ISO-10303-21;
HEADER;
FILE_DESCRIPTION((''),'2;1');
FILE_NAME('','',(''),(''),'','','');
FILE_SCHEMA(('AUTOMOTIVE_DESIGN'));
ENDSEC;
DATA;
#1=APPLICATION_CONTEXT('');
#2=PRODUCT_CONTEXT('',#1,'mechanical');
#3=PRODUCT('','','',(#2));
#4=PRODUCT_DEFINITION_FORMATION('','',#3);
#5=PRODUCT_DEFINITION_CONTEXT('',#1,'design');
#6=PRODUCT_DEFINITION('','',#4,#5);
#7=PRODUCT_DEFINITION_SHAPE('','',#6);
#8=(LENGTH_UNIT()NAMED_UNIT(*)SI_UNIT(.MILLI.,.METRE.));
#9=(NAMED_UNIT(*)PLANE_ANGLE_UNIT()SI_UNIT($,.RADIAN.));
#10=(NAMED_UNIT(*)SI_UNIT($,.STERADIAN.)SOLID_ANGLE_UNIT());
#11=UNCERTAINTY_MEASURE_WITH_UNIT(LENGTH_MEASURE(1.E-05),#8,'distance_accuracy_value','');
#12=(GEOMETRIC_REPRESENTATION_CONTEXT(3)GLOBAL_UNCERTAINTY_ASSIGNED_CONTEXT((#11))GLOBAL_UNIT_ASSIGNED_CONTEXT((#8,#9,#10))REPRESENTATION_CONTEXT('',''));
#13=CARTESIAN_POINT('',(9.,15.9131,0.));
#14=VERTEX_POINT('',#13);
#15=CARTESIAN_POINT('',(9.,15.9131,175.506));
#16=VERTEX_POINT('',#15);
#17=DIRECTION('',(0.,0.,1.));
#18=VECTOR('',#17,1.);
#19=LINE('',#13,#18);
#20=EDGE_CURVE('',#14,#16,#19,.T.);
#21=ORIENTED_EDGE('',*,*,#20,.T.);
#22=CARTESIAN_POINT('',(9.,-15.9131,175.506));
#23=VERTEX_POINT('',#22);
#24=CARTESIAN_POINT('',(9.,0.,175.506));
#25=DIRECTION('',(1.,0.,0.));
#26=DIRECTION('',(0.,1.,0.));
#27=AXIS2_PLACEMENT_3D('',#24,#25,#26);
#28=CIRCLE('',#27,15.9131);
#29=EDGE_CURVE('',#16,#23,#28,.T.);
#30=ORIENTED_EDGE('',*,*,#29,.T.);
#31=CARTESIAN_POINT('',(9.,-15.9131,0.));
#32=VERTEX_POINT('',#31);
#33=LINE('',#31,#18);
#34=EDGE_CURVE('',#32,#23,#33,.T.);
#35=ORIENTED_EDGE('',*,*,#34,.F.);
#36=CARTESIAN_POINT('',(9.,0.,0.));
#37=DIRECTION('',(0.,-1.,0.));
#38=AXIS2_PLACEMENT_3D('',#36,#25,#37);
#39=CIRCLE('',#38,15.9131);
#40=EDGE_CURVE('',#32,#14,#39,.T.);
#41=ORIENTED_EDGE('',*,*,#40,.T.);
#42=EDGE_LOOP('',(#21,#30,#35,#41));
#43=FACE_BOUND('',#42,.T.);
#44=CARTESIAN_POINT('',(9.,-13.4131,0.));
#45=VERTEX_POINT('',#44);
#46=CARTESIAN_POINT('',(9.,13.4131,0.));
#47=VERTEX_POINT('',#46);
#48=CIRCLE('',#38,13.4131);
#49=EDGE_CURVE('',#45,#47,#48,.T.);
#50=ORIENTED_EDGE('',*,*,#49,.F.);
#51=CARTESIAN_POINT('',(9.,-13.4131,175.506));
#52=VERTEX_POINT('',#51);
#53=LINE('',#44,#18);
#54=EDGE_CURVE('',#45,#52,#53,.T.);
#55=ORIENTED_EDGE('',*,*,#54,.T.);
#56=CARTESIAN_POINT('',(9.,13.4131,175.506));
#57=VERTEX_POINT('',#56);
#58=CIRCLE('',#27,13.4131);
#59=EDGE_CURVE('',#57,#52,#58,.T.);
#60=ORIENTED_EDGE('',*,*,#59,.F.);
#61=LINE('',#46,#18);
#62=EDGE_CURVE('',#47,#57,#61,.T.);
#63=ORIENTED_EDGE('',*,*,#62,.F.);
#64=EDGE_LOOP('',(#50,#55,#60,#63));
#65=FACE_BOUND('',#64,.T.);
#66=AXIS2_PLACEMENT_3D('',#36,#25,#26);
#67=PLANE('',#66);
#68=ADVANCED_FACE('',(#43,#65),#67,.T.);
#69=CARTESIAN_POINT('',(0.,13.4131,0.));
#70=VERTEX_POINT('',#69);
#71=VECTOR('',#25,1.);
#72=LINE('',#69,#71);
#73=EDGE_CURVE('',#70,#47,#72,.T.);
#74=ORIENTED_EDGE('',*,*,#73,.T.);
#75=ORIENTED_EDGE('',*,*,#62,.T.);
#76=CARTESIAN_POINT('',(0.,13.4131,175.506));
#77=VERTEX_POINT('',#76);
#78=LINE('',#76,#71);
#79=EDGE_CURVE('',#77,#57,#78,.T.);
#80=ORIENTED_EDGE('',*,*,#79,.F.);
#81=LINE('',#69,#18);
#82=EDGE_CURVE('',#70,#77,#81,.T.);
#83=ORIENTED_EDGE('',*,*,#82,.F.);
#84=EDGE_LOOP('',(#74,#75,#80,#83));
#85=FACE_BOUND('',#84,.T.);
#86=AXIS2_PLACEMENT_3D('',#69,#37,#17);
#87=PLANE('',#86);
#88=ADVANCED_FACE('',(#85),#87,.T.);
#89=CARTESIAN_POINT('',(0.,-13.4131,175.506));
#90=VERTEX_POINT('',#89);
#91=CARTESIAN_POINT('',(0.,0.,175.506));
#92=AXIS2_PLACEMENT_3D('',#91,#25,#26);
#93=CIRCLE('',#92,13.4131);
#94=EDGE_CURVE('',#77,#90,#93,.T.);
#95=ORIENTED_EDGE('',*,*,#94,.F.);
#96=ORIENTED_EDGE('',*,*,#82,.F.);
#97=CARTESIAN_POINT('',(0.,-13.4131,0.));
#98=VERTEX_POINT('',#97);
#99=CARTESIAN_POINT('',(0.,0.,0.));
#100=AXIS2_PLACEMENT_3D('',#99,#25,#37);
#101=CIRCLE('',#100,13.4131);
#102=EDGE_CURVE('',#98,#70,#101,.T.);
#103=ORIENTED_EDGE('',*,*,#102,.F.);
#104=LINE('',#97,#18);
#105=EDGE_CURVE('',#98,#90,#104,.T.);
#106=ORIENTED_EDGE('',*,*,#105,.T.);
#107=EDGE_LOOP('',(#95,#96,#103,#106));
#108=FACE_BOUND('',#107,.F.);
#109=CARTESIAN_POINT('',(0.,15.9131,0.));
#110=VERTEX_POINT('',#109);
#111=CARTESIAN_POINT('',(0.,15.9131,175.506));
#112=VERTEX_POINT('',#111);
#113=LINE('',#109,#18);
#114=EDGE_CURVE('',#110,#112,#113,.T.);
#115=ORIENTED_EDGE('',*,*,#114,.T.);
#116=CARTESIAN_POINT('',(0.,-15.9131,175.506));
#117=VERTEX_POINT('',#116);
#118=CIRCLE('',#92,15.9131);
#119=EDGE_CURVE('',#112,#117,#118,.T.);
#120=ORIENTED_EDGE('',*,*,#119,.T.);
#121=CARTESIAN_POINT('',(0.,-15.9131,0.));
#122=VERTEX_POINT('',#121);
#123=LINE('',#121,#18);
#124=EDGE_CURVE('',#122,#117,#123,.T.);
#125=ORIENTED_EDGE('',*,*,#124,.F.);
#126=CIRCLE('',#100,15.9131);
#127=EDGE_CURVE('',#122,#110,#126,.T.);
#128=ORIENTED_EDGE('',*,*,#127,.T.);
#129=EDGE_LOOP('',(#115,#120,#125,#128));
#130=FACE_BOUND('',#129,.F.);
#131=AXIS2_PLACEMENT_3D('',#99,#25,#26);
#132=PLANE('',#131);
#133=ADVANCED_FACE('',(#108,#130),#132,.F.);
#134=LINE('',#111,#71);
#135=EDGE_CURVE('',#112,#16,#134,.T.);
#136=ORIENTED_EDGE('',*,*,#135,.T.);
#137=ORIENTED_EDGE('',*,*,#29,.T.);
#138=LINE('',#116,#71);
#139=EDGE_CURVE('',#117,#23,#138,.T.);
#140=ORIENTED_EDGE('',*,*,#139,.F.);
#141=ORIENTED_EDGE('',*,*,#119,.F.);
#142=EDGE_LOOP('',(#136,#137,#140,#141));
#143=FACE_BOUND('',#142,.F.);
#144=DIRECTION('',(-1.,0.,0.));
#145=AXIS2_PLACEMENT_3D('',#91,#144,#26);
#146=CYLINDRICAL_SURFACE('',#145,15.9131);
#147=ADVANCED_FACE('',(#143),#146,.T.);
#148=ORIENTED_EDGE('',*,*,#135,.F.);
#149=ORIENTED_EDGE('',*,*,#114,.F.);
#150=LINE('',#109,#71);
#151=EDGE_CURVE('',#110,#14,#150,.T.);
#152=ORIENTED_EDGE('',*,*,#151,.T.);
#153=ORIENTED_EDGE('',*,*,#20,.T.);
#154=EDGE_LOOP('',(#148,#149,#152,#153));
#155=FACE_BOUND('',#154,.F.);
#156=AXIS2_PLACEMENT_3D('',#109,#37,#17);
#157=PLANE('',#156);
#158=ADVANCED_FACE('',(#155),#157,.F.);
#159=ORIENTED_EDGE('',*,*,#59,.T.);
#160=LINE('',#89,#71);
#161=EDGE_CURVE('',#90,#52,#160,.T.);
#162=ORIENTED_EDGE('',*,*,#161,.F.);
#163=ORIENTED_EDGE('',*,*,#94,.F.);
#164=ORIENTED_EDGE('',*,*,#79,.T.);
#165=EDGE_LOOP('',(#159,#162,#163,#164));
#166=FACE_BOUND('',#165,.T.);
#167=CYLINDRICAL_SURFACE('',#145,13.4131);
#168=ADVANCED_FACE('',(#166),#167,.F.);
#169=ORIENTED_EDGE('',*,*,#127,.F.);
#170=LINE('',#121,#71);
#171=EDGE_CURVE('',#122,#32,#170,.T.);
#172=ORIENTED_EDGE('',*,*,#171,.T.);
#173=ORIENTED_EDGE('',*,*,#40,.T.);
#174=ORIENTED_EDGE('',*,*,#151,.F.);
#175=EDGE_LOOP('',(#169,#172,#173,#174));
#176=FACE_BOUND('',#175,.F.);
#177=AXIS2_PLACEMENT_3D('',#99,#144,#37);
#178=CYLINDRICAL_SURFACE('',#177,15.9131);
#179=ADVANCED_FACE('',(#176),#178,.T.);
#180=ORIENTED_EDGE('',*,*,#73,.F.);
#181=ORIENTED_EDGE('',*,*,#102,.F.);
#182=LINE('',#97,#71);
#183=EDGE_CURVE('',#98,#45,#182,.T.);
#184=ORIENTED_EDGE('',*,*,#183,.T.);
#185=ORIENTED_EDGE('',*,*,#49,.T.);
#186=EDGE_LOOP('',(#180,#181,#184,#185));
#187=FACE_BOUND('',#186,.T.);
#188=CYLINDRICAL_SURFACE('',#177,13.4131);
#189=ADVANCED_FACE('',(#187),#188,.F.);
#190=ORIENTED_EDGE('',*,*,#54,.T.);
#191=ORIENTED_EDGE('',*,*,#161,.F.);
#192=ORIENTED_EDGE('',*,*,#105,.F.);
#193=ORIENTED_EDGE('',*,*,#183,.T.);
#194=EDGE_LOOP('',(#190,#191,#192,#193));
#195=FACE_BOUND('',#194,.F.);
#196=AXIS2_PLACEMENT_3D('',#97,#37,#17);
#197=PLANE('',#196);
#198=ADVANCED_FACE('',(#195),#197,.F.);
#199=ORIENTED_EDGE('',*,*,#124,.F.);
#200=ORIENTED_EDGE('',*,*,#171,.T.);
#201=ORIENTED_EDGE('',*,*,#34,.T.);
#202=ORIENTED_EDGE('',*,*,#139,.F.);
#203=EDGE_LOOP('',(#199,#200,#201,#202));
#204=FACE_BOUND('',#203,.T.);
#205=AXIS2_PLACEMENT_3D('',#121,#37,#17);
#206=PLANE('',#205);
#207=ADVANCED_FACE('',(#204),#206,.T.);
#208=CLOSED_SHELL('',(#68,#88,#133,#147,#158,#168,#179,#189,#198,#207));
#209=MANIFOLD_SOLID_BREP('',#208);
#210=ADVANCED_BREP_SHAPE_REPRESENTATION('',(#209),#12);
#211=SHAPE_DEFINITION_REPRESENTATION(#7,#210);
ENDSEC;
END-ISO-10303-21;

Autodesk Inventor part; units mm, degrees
ref_plane "YZ Plane" through (0, 0, 0) normal (1, 0, 0) x (0, 1, 0)
ref_plane "XZ Plane" through (0, 0, 0) normal (0, 1, 0) x (-1, 0, 0)
ref_plane "XY Plane" through (0, 0, 0) normal (0, 0, 1) x (1, 0, 0)
sketch "Sketch1" plane through (0, 0, 0) normal (1, 0, 0) x (0, 1, 0)
  arc A0 (-13.4131, 0) -> (13.4131, 0) centre (0, 0) ccw
  arc A1 (-15.9131, 0) -> (15.9131, 0) centre (0, 0) ccw
  arc A2 (13.4131, 175.506) -> (-13.4131, 175.506) centre (0, 175.506) ccw
  arc A3 (15.9131, 175.506) -> (-15.9131, 175.506) centre (0, 175.506) ccw
  line L0 (13.4131, 0) -> (13.4131, 175.506)
  line L1 (-13.4131, 0) -> (-13.4131, 175.506)
  line L2 (15.9131, 0) -> (15.9131, 175.506)
  line L3 (-15.9131, 0) -> (-15.9131, 175.506)
  dimension "d0" = 2.5
  dimension "d2" = 175.506
  dimension "d5" = 13.4131
extrude "Extrusion1" add sketch "Sketch1" along normal blind 9
properties part number "STANDIN,130T,HTD5mm,BELT" material "Nylon 6/6"
